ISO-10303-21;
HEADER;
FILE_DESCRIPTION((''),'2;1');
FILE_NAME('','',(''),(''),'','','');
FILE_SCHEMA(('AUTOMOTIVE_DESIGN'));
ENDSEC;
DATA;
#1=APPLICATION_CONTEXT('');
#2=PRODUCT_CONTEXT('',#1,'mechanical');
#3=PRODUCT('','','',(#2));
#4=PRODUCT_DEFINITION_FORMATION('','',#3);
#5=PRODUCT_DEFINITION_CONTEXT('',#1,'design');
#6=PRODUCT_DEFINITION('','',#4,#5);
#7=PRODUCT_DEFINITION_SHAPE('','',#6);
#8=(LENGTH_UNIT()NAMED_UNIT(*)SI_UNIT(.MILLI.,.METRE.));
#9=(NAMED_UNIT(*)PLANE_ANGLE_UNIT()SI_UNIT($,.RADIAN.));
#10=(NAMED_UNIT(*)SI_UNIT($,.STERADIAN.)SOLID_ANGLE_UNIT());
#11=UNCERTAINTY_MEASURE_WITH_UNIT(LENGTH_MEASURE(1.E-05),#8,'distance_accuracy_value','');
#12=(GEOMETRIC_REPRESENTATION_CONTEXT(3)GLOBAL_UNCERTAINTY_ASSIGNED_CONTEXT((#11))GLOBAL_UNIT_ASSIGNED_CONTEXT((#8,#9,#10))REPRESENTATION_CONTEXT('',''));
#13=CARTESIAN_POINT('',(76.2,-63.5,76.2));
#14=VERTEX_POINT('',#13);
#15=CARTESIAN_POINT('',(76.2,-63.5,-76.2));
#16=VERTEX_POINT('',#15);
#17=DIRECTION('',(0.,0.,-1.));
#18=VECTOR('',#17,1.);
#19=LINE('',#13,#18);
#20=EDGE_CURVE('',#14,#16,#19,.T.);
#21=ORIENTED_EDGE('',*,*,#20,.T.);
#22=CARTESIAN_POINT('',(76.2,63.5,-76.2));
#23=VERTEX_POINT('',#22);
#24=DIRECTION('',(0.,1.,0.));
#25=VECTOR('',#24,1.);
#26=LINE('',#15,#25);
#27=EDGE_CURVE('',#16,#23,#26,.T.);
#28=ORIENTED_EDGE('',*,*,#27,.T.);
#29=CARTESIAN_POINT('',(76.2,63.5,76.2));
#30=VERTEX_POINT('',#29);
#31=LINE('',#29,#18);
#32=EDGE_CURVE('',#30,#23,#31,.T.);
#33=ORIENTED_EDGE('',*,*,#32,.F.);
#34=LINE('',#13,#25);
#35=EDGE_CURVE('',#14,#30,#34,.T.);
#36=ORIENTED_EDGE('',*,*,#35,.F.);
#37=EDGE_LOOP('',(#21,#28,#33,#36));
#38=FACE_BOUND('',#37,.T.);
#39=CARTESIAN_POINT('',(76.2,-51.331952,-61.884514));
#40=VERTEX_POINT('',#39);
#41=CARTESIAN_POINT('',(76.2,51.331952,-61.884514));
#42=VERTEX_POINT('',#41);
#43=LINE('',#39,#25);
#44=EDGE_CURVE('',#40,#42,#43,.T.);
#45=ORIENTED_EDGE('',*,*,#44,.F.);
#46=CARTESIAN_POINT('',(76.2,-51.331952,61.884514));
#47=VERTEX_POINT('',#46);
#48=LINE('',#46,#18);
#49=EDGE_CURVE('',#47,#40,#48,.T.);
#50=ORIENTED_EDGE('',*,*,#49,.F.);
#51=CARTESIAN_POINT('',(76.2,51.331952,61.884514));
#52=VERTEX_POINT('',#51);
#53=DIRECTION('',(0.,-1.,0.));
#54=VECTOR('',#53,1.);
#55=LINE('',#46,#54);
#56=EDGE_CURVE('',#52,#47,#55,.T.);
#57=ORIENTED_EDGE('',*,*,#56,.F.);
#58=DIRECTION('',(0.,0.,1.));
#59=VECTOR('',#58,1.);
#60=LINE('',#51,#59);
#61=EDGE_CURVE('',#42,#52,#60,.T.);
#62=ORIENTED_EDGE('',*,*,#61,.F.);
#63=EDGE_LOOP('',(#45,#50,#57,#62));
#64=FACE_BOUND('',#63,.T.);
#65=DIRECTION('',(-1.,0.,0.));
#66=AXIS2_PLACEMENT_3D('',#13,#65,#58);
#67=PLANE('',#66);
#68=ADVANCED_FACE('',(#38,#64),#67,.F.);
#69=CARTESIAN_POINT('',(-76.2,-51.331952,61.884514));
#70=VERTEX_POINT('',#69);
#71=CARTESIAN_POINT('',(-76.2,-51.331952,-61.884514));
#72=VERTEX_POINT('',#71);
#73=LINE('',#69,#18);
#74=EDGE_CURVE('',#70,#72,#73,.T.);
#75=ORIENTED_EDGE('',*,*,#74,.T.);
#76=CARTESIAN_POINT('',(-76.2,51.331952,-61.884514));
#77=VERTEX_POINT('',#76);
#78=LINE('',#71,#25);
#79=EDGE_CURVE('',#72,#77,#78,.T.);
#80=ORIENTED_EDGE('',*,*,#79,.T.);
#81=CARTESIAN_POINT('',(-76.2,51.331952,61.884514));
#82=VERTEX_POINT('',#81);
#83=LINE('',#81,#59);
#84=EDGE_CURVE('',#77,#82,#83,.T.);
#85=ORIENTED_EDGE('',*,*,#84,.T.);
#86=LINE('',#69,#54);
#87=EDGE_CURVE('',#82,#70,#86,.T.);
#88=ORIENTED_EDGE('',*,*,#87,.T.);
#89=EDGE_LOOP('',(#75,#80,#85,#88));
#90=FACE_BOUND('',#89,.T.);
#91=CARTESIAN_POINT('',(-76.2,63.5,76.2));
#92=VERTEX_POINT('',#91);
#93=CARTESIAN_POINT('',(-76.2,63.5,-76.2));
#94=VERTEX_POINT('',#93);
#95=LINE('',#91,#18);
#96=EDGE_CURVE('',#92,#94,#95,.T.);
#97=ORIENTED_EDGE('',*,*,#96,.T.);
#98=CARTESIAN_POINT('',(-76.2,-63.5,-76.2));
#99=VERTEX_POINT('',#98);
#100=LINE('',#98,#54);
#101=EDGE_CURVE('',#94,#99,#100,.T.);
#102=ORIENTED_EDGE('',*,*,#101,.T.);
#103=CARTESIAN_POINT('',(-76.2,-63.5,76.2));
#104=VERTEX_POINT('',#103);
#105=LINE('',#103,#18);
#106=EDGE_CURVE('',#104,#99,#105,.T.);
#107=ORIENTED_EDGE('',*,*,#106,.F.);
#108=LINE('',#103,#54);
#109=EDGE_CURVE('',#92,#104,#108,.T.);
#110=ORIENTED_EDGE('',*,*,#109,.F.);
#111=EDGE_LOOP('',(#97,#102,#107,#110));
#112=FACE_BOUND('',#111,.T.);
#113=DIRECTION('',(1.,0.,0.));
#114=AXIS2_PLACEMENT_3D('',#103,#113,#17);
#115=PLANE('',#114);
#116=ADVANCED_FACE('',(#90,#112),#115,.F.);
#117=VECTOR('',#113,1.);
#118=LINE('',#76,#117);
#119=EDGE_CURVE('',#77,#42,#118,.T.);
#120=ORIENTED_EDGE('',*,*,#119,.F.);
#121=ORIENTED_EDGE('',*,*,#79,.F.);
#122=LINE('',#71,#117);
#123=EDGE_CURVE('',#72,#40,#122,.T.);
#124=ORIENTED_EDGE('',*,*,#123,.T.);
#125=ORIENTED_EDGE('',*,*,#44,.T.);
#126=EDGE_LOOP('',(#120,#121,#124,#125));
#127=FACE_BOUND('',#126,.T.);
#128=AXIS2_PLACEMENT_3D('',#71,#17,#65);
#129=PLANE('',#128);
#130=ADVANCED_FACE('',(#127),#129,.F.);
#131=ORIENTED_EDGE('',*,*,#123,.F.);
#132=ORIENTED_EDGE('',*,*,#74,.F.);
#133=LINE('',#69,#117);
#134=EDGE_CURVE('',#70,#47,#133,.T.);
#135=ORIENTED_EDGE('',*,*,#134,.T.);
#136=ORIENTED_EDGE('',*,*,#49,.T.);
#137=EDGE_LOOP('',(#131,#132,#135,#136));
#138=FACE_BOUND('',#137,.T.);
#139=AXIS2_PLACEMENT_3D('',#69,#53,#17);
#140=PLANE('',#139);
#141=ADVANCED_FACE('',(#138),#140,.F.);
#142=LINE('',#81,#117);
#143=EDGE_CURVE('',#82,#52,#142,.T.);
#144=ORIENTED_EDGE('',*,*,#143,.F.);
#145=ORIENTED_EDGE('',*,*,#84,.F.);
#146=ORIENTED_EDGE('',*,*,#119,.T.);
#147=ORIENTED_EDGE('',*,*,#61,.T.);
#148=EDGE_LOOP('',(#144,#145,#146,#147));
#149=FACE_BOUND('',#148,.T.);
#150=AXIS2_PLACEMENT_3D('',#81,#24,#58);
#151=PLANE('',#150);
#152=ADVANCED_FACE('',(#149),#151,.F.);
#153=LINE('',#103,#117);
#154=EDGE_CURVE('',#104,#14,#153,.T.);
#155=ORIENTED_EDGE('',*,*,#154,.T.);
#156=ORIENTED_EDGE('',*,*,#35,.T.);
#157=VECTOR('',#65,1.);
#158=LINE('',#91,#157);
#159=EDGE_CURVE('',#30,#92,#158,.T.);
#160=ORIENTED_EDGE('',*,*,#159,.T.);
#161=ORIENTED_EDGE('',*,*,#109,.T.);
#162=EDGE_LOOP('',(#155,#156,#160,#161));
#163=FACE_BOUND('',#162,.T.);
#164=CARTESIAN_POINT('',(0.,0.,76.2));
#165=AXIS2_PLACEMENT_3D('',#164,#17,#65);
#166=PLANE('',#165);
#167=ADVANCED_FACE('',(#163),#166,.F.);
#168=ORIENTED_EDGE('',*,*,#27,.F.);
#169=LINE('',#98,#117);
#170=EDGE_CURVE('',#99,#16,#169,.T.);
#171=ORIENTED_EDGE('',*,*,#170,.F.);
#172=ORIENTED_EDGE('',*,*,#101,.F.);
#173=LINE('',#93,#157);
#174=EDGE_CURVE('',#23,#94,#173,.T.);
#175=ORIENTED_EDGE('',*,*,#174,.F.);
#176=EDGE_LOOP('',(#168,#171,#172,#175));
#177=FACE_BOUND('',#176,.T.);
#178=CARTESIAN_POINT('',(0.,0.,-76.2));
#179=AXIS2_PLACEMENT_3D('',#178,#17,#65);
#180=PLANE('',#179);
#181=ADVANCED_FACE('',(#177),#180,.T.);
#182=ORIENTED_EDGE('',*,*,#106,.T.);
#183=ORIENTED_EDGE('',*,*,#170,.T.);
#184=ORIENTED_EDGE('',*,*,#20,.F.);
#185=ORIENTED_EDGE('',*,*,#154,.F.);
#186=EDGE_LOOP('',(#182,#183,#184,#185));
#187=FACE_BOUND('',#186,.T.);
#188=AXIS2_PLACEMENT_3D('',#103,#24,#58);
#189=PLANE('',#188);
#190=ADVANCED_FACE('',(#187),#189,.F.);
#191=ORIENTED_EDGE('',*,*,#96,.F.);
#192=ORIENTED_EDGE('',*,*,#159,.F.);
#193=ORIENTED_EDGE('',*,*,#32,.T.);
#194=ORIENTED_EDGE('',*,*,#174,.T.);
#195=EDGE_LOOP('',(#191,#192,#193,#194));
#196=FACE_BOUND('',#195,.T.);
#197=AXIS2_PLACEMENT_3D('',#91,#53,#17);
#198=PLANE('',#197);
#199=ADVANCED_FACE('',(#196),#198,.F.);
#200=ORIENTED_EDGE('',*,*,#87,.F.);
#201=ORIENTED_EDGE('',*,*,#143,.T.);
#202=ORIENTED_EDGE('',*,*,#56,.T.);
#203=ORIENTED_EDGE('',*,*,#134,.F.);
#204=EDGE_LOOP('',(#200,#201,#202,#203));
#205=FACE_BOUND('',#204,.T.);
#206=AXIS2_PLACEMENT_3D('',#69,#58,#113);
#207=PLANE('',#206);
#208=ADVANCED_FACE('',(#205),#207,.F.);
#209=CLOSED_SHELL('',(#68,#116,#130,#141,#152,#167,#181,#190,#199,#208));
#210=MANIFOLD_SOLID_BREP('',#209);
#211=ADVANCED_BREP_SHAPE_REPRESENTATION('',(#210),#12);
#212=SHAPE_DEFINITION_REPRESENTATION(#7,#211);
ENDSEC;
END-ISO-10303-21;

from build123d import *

# Parameters (mm, degrees)
SKETCH1_W           = 152.4
SKETCH1_H           = 127
BOSS_EXTRUDE1_DEPTH = 76.2
SKETCH3_W           = 123.769027692
SKETCH3_H           = 102.663904472
CUT_EXTRUDE2_DEPTH  = 182.836327504


with BuildPart() as part:
    # Sketch1 → Boss-Extrude1 (new, symmetric)
    with BuildSketch(Plane.XY):
        Rectangle(SKETCH1_W, SKETCH1_H)
    extrude(amount=BOSS_EXTRUDE1_DEPTH, both=True)

    # Sketch3 → Cut-Extrude2 (cut, through all)
    with BuildSketch(Plane(origin=(76.2, 0, 0), x_dir=(0, 0, -1), z_dir=(1, 0, 0))):
        Rectangle(SKETCH3_W, SKETCH3_H)
    extrude(amount=-CUT_EXTRUDE2_DEPTH, mode=Mode.SUBTRACT)


solid = part.part
